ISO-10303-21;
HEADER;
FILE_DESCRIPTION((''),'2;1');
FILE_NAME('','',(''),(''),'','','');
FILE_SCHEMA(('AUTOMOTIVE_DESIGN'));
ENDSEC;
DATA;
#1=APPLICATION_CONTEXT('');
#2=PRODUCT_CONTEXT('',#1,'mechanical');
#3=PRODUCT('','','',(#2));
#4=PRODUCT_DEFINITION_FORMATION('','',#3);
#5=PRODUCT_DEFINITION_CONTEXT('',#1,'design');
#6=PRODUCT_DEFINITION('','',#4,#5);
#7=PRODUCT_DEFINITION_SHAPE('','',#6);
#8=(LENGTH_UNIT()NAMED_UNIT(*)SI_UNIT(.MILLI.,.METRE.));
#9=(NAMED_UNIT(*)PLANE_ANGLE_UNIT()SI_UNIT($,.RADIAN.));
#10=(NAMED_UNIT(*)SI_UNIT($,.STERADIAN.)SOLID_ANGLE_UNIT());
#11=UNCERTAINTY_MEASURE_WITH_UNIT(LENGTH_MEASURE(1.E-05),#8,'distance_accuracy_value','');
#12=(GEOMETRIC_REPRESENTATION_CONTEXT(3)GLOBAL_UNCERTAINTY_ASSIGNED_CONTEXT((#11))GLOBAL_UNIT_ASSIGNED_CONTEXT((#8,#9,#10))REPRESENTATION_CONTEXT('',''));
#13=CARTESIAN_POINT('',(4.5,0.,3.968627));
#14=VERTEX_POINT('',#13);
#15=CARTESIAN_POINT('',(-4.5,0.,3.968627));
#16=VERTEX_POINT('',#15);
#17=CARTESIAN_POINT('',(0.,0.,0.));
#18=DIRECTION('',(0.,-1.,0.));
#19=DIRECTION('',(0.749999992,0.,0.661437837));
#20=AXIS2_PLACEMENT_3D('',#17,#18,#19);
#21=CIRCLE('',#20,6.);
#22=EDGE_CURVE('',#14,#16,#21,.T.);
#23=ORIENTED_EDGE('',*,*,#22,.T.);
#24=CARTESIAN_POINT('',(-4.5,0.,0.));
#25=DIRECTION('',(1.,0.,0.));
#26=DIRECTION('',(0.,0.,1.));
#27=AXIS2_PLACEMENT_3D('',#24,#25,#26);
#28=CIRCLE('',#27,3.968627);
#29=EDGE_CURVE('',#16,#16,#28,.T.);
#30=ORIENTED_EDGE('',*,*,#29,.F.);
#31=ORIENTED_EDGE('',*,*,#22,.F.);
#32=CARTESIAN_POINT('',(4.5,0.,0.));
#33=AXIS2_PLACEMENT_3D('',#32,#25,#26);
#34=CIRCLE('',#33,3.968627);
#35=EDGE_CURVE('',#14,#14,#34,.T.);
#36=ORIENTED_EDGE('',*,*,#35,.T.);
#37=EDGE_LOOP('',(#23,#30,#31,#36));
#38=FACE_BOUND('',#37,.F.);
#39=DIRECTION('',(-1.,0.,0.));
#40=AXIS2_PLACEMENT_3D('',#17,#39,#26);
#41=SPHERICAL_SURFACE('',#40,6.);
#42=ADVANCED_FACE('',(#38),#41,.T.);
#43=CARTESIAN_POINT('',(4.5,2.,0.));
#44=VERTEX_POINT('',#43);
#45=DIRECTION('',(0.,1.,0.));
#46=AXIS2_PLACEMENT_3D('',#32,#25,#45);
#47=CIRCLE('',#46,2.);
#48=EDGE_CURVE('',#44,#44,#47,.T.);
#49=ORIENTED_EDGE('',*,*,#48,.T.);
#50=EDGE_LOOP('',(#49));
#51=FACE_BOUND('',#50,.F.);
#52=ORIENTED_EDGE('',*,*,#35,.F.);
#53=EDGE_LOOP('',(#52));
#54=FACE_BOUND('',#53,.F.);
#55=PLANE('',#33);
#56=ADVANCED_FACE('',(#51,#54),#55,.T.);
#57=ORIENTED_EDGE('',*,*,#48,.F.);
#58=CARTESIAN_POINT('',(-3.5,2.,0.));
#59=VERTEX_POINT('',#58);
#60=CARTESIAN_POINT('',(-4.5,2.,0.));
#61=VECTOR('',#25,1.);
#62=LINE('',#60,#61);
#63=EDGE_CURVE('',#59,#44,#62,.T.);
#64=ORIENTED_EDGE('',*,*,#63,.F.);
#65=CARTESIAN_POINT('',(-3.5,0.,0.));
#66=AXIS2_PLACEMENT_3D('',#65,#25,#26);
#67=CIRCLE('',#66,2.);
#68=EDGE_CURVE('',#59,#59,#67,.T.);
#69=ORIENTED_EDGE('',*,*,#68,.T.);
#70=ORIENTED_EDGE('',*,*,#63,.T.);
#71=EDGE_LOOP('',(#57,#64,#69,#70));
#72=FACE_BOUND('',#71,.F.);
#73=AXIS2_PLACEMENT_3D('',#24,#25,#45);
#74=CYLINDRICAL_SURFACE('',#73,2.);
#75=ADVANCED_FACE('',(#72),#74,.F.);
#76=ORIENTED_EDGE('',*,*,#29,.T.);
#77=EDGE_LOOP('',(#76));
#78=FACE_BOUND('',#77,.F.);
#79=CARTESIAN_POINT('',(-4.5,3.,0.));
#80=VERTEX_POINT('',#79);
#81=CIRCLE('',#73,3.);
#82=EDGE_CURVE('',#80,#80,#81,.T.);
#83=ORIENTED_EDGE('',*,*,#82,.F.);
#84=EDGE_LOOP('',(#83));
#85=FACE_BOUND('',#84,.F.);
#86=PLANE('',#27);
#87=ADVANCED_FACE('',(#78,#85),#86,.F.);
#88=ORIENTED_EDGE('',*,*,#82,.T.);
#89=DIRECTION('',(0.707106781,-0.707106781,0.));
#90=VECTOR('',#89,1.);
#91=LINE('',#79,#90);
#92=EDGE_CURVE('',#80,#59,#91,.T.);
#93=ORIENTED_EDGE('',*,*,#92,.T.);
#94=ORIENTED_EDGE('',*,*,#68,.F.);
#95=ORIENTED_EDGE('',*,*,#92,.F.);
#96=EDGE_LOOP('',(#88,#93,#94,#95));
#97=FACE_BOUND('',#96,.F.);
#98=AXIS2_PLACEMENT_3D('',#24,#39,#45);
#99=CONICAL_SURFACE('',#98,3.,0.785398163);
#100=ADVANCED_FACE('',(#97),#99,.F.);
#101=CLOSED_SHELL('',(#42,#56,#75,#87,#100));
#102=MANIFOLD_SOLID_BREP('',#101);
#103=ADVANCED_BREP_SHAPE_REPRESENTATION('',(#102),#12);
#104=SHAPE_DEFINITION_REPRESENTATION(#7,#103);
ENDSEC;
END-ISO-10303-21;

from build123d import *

# Parameters (mm, degrees)
F3_D           = 4
F3_DEPTH       = 10
F3_CSINK_D     = 6
F3_CSINK_ANGLE = 90


with BuildPart() as f1:
    # F0 (on Front) → F1 (revolve)
    with BuildSketch(Plane.XZ):
        with BuildLine():
            Line((4.5, 0), (4.5, 3.968627))
            ThreePointArc((4.5, 3.968627), (0, 6), (-4.5, 3.968627))
            Line((-4.5, 3.968627), (-4.5, 0))
            Line((-4.5, 0), (4.5, 0))
        make_face()
    revolve(axis=Axis((1.147769, 0, 0), (1, 0, 0)))

    # F3
    with Locations(Plane(origin=(-4.5, 0, 0), x_dir=(0, -1, 0), z_dir=(-1, 0, 0))):
        with Locations((0, 0)):
            CounterSinkHole(F3_D / 2, F3_CSINK_D / 2, depth=F3_DEPTH, counter_sink_angle=F3_CSINK_ANGLE)


solid = f1.part
